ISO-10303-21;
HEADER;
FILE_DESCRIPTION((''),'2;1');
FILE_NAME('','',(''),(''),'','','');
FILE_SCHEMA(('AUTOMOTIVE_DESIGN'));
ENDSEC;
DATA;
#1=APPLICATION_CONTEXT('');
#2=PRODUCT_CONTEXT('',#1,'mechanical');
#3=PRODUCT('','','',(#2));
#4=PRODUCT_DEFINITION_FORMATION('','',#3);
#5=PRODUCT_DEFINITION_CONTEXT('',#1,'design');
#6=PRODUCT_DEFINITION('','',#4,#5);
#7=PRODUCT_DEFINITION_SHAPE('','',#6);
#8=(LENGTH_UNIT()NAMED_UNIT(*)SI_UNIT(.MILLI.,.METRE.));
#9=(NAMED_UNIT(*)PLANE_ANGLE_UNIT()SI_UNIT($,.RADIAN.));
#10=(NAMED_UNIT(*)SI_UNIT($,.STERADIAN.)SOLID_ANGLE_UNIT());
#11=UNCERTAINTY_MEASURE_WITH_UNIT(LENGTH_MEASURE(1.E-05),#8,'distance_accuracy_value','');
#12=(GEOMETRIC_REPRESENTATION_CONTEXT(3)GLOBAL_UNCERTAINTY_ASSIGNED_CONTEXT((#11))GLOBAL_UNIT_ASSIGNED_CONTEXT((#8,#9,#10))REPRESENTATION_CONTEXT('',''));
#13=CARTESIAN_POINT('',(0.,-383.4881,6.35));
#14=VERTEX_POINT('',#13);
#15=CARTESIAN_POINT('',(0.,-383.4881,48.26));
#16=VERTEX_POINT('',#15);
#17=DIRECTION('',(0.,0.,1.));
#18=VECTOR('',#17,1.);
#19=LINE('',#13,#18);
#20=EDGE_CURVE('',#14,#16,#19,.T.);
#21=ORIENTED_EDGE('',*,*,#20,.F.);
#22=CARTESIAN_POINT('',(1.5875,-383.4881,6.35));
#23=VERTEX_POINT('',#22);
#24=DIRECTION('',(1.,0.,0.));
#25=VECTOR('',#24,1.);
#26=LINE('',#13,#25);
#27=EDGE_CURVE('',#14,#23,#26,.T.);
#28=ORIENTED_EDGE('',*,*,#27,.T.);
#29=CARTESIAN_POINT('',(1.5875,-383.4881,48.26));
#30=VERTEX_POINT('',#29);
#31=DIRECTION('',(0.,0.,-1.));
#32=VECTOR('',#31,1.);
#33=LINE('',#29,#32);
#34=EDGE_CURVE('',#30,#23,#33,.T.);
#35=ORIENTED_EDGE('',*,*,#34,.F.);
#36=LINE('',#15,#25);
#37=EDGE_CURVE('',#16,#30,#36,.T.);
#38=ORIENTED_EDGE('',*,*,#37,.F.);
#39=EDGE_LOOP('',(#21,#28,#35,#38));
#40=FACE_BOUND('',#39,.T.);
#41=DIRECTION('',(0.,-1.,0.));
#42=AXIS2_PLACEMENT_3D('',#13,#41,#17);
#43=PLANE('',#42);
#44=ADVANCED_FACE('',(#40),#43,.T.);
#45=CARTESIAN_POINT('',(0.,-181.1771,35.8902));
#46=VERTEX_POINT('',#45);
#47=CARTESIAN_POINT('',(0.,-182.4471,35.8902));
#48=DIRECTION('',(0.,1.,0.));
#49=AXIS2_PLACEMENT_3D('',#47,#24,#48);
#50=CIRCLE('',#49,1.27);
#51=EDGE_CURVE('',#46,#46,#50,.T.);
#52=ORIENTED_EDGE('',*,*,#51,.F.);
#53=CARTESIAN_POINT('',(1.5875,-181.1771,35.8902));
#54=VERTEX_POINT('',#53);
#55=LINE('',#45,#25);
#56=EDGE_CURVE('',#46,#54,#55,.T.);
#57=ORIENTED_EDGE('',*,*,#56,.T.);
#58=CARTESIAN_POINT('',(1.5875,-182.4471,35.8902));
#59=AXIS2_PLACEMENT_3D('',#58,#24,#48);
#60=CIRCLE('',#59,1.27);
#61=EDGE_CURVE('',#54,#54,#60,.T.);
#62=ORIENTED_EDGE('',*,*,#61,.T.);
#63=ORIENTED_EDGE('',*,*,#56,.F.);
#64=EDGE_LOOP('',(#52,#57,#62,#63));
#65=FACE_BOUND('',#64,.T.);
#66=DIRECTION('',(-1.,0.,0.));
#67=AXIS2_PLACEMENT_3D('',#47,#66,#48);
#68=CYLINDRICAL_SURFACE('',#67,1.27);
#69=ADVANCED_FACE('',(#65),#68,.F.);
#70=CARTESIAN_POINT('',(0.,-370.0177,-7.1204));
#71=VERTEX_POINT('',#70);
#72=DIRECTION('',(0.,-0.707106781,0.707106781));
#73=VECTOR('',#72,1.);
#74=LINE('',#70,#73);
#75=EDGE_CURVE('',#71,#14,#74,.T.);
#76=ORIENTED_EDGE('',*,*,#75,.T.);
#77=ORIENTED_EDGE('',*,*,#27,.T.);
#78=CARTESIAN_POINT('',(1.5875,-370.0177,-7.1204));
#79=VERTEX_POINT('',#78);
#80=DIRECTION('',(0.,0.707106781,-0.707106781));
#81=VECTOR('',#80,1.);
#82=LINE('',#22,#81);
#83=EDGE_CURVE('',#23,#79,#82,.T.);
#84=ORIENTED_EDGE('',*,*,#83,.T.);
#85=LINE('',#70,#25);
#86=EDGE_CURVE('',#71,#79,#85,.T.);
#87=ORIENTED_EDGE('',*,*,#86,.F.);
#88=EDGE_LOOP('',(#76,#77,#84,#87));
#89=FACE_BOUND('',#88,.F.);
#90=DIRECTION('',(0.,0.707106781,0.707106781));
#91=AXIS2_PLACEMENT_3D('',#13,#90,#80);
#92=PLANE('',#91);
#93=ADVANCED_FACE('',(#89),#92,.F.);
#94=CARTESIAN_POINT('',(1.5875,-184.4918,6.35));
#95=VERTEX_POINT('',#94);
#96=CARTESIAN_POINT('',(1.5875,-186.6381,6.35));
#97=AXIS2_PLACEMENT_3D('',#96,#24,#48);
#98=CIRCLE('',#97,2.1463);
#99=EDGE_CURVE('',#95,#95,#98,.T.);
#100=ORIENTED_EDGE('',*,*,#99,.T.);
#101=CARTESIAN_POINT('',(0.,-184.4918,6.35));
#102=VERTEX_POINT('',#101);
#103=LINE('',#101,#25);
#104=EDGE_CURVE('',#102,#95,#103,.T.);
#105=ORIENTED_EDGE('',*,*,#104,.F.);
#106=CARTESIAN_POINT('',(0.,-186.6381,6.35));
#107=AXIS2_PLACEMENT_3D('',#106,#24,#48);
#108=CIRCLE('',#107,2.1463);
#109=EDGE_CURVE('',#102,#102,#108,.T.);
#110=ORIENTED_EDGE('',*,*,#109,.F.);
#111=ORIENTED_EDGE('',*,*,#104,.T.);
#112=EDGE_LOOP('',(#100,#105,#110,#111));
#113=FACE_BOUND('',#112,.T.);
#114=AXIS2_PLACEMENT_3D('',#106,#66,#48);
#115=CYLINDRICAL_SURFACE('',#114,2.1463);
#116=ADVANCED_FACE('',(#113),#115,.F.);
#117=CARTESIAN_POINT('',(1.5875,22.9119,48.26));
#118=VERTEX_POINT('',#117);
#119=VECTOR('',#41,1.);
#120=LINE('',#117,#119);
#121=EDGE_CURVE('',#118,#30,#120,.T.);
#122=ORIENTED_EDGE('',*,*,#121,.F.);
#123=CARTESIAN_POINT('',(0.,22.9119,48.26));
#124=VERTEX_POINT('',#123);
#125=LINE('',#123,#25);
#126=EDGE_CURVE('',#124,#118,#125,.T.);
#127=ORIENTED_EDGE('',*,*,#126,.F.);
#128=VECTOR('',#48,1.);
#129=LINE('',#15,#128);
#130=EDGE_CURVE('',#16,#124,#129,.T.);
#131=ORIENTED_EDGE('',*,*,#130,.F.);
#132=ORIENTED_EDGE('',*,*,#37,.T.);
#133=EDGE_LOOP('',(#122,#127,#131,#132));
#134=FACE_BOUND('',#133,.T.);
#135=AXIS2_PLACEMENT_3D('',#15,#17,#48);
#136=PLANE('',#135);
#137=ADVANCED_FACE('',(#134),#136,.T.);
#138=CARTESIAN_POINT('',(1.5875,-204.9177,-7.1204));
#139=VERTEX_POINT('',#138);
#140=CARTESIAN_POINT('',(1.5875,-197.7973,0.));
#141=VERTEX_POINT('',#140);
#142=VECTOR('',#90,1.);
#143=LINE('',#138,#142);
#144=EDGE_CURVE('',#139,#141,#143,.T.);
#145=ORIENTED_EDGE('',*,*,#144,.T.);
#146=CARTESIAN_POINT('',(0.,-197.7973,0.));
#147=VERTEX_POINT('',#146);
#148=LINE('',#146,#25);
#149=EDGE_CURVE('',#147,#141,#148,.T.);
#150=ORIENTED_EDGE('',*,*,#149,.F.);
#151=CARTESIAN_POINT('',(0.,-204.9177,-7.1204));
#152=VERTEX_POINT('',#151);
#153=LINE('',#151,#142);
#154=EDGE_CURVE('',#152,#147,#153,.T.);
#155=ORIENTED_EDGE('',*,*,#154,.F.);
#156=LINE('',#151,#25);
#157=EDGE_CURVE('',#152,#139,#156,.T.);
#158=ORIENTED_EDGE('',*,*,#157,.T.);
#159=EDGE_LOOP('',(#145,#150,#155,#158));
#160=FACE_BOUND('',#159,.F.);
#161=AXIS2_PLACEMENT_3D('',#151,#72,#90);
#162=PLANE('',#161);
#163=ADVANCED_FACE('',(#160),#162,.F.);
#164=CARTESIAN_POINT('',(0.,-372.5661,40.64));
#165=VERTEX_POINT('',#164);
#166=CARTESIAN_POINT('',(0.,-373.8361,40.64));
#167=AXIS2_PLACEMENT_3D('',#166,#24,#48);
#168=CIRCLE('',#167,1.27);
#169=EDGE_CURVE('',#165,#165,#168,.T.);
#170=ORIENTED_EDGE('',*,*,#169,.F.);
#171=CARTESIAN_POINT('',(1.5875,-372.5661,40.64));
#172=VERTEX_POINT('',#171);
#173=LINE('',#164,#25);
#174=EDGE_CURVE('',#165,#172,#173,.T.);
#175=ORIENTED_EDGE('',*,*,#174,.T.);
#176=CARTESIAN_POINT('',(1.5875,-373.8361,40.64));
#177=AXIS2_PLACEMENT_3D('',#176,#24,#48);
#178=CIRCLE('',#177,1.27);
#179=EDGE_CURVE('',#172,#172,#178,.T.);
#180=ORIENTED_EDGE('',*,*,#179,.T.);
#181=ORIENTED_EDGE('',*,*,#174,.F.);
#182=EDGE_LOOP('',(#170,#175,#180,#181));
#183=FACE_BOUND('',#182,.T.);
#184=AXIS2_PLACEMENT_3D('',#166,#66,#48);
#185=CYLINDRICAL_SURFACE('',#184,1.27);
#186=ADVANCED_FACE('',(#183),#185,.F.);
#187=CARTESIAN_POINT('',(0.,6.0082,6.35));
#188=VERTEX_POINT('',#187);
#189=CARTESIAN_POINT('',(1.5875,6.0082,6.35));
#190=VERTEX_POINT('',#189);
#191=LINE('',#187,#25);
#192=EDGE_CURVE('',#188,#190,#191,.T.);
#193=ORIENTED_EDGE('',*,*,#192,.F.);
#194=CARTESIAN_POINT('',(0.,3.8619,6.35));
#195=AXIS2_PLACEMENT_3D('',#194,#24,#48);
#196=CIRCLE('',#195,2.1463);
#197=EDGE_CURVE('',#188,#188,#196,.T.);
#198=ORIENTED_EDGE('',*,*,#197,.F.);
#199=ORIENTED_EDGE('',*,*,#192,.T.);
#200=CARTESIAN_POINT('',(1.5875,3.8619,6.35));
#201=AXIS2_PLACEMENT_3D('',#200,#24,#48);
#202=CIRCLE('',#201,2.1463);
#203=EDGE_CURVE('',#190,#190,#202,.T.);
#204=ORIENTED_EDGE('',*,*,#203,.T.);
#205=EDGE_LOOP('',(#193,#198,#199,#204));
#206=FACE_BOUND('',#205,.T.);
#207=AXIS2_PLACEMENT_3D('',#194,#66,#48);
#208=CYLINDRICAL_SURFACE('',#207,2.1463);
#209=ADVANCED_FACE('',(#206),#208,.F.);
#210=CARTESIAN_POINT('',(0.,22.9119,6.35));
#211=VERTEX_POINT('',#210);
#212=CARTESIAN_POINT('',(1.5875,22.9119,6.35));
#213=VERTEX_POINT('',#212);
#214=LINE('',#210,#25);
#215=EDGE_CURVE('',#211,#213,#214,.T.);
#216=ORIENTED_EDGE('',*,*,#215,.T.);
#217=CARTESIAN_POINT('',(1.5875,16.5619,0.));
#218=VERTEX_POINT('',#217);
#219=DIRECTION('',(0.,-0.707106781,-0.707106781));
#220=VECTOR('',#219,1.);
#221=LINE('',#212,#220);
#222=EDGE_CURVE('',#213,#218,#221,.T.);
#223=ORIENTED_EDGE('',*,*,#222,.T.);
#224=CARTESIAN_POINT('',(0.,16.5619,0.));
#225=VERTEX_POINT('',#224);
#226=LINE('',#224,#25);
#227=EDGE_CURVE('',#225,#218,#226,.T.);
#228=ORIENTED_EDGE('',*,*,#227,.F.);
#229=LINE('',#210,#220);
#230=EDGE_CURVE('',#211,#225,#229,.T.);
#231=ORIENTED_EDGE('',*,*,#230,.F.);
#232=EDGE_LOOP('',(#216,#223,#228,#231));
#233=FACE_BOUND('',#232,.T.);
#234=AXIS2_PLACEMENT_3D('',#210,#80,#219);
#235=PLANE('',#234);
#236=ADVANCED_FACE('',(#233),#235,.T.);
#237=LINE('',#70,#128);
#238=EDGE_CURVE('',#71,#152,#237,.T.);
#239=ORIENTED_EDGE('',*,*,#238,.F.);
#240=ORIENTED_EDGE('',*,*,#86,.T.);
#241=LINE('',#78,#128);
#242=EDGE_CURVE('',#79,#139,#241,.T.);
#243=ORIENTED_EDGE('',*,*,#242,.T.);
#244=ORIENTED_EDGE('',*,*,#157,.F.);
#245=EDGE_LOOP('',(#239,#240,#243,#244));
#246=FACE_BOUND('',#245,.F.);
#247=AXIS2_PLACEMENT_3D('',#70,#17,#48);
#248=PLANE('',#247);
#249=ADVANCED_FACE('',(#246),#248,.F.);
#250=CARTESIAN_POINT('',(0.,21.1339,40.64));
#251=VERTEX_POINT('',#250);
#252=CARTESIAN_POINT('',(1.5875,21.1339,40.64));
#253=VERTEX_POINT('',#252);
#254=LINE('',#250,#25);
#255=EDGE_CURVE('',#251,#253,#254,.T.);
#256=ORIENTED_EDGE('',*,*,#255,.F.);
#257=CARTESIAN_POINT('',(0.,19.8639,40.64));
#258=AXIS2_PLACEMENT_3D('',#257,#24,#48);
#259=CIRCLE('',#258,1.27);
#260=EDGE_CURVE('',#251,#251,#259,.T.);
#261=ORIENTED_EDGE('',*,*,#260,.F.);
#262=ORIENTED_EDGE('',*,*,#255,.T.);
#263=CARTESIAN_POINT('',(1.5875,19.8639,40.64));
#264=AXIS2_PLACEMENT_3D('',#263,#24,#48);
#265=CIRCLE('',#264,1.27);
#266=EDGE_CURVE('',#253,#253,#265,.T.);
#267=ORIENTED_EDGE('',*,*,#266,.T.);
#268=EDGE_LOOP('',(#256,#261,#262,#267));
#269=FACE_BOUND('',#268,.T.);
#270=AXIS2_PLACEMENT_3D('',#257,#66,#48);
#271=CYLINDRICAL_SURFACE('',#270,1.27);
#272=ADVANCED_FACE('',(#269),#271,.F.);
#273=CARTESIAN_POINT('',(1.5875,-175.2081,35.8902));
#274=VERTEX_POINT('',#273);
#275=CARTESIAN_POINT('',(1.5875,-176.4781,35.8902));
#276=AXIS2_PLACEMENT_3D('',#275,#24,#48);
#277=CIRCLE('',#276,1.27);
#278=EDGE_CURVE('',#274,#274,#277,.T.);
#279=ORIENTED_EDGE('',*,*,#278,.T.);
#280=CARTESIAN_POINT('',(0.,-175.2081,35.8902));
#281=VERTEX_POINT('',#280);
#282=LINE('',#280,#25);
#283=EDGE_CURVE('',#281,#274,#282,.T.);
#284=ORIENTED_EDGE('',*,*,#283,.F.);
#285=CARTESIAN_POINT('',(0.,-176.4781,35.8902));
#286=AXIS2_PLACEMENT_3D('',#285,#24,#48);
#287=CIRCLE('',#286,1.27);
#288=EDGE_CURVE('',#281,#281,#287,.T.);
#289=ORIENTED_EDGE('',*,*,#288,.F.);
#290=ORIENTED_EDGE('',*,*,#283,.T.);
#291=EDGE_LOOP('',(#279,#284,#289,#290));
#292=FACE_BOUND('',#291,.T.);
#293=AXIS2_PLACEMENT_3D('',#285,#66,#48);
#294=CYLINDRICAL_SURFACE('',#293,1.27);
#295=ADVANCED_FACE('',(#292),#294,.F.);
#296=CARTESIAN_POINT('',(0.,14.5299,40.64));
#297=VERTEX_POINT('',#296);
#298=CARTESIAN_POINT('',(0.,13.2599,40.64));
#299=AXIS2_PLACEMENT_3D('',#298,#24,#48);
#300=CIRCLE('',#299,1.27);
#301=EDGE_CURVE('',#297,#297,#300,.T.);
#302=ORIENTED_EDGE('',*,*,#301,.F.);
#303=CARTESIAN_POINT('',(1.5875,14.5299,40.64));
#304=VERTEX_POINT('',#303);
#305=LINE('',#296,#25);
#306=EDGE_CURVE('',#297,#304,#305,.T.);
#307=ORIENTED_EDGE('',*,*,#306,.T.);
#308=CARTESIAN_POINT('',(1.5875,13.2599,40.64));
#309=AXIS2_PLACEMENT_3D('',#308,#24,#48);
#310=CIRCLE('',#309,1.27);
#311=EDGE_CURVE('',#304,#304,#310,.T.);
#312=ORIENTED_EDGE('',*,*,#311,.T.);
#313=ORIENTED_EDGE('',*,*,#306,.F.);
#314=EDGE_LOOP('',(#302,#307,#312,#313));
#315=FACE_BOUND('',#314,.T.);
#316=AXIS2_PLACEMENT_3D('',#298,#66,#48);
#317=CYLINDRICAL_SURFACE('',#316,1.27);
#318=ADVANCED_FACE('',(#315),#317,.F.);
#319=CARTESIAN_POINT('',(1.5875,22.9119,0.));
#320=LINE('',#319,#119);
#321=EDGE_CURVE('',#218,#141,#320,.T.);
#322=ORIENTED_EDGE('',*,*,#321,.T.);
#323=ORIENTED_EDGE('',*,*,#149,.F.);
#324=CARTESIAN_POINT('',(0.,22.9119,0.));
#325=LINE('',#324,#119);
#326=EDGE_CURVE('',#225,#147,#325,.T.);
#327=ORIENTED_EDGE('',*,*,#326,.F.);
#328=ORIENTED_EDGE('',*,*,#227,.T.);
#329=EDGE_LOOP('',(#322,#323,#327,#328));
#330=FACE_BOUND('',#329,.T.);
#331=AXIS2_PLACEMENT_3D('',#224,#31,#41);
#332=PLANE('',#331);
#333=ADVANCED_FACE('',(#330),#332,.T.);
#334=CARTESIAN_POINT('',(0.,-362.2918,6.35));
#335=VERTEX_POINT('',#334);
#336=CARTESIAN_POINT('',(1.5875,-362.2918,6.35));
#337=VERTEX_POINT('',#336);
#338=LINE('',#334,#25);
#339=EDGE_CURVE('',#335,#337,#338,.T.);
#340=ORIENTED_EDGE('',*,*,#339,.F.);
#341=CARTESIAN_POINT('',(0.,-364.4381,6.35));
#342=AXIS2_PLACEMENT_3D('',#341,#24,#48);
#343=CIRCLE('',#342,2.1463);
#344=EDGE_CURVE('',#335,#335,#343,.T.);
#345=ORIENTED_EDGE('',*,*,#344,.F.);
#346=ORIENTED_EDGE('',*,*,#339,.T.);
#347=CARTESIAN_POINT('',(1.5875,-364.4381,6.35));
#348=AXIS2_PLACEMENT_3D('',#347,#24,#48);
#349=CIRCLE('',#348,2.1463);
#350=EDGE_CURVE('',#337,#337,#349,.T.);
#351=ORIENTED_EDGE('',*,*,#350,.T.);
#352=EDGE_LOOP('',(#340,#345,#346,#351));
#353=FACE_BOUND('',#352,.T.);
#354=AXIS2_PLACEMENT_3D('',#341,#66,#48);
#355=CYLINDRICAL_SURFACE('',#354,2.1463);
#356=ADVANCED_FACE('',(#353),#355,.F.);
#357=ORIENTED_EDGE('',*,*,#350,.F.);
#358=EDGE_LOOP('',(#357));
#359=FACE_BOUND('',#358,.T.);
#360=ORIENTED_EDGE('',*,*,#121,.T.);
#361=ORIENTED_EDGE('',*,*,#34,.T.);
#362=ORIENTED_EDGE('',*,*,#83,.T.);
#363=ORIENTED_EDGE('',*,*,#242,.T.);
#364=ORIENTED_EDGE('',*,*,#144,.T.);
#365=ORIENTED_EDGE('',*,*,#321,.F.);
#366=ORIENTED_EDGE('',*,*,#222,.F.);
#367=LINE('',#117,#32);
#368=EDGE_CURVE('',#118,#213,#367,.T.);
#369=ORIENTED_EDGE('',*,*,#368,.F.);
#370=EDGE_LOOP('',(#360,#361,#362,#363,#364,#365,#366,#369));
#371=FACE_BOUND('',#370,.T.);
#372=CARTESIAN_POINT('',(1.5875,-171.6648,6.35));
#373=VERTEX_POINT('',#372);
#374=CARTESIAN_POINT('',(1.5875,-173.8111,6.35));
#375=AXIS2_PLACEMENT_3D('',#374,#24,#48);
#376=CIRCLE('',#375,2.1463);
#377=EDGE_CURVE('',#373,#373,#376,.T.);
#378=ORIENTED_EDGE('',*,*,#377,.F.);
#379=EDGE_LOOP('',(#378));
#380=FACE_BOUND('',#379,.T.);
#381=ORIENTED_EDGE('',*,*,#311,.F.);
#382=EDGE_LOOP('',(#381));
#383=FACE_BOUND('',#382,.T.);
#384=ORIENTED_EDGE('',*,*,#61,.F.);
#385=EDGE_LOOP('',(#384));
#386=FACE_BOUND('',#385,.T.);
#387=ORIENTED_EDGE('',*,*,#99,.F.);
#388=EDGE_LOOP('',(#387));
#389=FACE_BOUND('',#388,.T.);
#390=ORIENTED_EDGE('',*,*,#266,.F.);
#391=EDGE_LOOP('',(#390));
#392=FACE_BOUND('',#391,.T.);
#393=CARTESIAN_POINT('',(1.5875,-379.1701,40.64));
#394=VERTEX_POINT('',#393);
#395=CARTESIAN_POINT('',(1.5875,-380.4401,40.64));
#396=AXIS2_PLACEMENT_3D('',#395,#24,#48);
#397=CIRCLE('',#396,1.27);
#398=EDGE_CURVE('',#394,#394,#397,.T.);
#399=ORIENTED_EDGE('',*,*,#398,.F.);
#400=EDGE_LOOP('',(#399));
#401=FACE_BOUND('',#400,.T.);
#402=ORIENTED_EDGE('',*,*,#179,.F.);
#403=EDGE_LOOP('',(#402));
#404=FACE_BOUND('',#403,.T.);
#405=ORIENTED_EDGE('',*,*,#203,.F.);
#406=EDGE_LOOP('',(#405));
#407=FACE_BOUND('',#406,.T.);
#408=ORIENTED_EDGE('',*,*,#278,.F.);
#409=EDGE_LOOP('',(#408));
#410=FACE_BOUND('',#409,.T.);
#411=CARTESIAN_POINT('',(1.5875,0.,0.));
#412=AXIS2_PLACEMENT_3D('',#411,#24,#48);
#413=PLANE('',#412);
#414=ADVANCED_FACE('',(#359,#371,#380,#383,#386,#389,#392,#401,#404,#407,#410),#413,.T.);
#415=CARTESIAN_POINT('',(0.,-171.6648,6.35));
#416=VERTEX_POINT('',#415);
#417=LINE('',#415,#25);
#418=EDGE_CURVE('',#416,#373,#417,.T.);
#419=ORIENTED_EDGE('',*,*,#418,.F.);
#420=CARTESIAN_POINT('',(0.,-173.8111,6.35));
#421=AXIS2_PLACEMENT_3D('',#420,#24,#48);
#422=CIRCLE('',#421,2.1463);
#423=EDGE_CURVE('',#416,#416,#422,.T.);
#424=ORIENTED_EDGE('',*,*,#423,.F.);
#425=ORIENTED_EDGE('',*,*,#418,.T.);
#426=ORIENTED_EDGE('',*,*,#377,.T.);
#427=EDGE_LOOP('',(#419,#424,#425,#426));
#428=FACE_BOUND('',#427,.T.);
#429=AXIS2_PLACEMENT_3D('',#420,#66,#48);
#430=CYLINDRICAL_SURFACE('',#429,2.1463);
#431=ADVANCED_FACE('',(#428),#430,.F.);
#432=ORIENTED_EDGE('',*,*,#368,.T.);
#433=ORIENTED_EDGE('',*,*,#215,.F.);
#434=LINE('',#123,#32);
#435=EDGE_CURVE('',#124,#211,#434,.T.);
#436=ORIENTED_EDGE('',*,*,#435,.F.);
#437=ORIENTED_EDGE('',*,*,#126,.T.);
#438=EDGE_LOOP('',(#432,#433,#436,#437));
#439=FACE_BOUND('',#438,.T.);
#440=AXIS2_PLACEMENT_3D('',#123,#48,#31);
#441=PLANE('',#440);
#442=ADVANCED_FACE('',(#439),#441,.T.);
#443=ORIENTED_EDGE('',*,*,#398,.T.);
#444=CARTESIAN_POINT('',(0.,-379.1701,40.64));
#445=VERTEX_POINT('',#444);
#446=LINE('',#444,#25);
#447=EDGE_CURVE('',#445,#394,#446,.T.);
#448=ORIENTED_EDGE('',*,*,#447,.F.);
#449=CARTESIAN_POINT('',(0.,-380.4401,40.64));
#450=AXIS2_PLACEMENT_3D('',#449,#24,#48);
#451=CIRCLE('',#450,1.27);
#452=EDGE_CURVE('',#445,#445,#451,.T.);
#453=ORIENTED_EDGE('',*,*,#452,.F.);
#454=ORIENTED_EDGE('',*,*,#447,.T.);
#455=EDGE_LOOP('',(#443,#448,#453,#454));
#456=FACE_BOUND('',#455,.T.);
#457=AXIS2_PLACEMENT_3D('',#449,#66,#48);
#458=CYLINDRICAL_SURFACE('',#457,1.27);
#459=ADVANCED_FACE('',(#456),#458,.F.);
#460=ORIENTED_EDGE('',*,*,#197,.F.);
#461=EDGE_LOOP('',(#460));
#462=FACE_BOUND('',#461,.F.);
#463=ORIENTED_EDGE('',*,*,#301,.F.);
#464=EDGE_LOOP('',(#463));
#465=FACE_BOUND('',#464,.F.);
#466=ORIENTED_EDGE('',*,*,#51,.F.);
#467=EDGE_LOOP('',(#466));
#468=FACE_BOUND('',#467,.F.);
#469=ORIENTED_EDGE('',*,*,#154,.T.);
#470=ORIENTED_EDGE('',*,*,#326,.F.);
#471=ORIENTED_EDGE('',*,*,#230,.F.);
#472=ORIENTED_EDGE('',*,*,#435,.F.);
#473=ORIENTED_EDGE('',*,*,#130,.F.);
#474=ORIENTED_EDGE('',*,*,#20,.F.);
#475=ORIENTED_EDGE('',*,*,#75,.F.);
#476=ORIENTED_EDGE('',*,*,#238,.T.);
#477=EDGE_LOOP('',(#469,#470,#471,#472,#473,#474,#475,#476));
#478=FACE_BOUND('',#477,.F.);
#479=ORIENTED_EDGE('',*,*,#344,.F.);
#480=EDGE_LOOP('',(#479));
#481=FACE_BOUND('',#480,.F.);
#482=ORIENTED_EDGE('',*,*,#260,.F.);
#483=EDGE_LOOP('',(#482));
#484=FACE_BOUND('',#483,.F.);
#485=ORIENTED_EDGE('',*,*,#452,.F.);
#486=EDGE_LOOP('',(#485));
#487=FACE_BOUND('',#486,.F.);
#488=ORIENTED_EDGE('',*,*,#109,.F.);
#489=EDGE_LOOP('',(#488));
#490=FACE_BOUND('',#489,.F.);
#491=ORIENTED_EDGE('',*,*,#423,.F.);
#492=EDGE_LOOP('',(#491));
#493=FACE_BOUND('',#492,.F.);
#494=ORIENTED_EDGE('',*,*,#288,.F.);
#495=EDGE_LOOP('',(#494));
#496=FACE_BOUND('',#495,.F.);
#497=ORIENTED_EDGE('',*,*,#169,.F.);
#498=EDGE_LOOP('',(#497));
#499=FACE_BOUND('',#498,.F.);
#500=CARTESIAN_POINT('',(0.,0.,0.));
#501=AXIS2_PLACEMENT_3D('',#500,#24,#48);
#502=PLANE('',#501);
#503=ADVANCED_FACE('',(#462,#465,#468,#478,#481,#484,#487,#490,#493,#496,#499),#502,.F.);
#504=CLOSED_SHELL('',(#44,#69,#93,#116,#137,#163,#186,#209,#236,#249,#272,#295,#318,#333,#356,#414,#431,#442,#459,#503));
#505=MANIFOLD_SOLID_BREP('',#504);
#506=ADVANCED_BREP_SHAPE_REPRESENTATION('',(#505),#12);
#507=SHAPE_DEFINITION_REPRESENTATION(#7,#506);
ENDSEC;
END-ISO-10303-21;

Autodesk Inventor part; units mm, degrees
ref_plane "YZ Plane" through (0, 0, 0) normal (1, 0, 0) x (0, 1, 0)
ref_plane "XZ Plane" through (0, 0, 0) normal (0, 1, 0) x (-1, 0, 0)
ref_plane "XY Plane" through (0, 0, 0) normal (0, 0, 1) x (1, 0, 0)
sketch "Sketch1" plane through (0, 0, 0) normal (1, 0, 0) x (0, 1, 0)
  line L0 (22.9119, 0) -> (-383.4881, 0)
  line L1 (-383.4881, 0) -> (-383.4881, 48.26)
  line L2 (-383.4881, 48.26) -> (22.9119, 48.26)
  line L3 (22.9119, 48.26) -> (22.9119, 0)
  line L4 (22.9119, 0) -> (22.9119, 1.6002)
  line L5 (-383.4881, 22.987) -> (-383.4881, 2.413)
  line L6 (22.2741, 48.26) -> (-5.0281, 48.26)
  circle A0 centre (3.8619, 6.35) radius 2.1463
  circle A1 centre (-364.4381, 6.35) radius 2.1463
  circle A2 centre (-173.8111, 6.35) radius 2.1463
  circle A3 centre (-186.6381, 6.35) radius 2.1463
  circle A4 centre (19.8639, 40.64) radius 1.27
  circle A5 centre (13.2599, 40.64) radius 1.27
  circle A6 centre (-176.4781, 35.8902) radius 1.27
  circle A7 centre (-182.4471, 35.8902) radius 1.27
  circle A8 centre (-380.4401, 40.64) radius 1.27
  circle A9 centre (-373.8361, 40.64) radius 1.27
  line L7 (-383.4881, 0) -> (-370.7881, 0) construction
  line L8 (22.9119, 6.35) -> (16.5619, 0)
  line L9 (-383.4881, 6.35) -> (-370.0177, -7.1204)
  line L10 (-383.4881, 6.35) -> (-364.4381, 6.35) construction
  line L11 (-370.0177, -7.1204) -> (-204.9177, -7.1204)
  line L12 (-204.9177, -7.1204) -> (-197.7973, 0)
  point P0 (0, 0)
  point P1 (-187.7276, 0)
  dimension "d0" = 4.2926
  dimension "d1" = 6.35
  dimension "d2" = 19.05
  dimension "d3" = 4.2926
  dimension "d4" = 19.05
  dimension "d5" = 6.35
  dimension "d6" = 4.2926
  dimension "d7" = 6.35
  dimension "d8" = 4.2926
  dimension "d9" = 6.35
  dimension "d10" = 196.723
  dimension "d11" = 196.85
  dimension "d12" = 2.54
  dimension "d13" = 3.048
  dimension "d14" = 7.62
  dimension "d15" = 2.54
  dimension "d16" = 7.62
  dimension "d17" = 9.652
  dimension "d18" = 2.54
  dimension "d19" = 12.3698
  dimension "d20" = 199.39
  dimension "d21" = 2.54
  dimension "d22" = 12.3698
  dimension "d23" = 5.969
  dimension "d24" = 2.54
  dimension "d25" = 7.62
  dimension "d26" = 3.048
  dimension "d27" = 2.54
  dimension "d28" = 7.62
  dimension "d29" = 9.652
  dimension "d36" = 19.05
  dimension "d37" = 45
  dimension "d38" = 165.1
  dimension "d39" = 135
  dimension "d40" = 48.26
extrude "Extrusion1" add sketch "Sketch1" along normal blind 1.5875 contours L0 L9 L1 L2 L3 L8 | L12 L11 L9 L0
properties part number "Side Guard"
